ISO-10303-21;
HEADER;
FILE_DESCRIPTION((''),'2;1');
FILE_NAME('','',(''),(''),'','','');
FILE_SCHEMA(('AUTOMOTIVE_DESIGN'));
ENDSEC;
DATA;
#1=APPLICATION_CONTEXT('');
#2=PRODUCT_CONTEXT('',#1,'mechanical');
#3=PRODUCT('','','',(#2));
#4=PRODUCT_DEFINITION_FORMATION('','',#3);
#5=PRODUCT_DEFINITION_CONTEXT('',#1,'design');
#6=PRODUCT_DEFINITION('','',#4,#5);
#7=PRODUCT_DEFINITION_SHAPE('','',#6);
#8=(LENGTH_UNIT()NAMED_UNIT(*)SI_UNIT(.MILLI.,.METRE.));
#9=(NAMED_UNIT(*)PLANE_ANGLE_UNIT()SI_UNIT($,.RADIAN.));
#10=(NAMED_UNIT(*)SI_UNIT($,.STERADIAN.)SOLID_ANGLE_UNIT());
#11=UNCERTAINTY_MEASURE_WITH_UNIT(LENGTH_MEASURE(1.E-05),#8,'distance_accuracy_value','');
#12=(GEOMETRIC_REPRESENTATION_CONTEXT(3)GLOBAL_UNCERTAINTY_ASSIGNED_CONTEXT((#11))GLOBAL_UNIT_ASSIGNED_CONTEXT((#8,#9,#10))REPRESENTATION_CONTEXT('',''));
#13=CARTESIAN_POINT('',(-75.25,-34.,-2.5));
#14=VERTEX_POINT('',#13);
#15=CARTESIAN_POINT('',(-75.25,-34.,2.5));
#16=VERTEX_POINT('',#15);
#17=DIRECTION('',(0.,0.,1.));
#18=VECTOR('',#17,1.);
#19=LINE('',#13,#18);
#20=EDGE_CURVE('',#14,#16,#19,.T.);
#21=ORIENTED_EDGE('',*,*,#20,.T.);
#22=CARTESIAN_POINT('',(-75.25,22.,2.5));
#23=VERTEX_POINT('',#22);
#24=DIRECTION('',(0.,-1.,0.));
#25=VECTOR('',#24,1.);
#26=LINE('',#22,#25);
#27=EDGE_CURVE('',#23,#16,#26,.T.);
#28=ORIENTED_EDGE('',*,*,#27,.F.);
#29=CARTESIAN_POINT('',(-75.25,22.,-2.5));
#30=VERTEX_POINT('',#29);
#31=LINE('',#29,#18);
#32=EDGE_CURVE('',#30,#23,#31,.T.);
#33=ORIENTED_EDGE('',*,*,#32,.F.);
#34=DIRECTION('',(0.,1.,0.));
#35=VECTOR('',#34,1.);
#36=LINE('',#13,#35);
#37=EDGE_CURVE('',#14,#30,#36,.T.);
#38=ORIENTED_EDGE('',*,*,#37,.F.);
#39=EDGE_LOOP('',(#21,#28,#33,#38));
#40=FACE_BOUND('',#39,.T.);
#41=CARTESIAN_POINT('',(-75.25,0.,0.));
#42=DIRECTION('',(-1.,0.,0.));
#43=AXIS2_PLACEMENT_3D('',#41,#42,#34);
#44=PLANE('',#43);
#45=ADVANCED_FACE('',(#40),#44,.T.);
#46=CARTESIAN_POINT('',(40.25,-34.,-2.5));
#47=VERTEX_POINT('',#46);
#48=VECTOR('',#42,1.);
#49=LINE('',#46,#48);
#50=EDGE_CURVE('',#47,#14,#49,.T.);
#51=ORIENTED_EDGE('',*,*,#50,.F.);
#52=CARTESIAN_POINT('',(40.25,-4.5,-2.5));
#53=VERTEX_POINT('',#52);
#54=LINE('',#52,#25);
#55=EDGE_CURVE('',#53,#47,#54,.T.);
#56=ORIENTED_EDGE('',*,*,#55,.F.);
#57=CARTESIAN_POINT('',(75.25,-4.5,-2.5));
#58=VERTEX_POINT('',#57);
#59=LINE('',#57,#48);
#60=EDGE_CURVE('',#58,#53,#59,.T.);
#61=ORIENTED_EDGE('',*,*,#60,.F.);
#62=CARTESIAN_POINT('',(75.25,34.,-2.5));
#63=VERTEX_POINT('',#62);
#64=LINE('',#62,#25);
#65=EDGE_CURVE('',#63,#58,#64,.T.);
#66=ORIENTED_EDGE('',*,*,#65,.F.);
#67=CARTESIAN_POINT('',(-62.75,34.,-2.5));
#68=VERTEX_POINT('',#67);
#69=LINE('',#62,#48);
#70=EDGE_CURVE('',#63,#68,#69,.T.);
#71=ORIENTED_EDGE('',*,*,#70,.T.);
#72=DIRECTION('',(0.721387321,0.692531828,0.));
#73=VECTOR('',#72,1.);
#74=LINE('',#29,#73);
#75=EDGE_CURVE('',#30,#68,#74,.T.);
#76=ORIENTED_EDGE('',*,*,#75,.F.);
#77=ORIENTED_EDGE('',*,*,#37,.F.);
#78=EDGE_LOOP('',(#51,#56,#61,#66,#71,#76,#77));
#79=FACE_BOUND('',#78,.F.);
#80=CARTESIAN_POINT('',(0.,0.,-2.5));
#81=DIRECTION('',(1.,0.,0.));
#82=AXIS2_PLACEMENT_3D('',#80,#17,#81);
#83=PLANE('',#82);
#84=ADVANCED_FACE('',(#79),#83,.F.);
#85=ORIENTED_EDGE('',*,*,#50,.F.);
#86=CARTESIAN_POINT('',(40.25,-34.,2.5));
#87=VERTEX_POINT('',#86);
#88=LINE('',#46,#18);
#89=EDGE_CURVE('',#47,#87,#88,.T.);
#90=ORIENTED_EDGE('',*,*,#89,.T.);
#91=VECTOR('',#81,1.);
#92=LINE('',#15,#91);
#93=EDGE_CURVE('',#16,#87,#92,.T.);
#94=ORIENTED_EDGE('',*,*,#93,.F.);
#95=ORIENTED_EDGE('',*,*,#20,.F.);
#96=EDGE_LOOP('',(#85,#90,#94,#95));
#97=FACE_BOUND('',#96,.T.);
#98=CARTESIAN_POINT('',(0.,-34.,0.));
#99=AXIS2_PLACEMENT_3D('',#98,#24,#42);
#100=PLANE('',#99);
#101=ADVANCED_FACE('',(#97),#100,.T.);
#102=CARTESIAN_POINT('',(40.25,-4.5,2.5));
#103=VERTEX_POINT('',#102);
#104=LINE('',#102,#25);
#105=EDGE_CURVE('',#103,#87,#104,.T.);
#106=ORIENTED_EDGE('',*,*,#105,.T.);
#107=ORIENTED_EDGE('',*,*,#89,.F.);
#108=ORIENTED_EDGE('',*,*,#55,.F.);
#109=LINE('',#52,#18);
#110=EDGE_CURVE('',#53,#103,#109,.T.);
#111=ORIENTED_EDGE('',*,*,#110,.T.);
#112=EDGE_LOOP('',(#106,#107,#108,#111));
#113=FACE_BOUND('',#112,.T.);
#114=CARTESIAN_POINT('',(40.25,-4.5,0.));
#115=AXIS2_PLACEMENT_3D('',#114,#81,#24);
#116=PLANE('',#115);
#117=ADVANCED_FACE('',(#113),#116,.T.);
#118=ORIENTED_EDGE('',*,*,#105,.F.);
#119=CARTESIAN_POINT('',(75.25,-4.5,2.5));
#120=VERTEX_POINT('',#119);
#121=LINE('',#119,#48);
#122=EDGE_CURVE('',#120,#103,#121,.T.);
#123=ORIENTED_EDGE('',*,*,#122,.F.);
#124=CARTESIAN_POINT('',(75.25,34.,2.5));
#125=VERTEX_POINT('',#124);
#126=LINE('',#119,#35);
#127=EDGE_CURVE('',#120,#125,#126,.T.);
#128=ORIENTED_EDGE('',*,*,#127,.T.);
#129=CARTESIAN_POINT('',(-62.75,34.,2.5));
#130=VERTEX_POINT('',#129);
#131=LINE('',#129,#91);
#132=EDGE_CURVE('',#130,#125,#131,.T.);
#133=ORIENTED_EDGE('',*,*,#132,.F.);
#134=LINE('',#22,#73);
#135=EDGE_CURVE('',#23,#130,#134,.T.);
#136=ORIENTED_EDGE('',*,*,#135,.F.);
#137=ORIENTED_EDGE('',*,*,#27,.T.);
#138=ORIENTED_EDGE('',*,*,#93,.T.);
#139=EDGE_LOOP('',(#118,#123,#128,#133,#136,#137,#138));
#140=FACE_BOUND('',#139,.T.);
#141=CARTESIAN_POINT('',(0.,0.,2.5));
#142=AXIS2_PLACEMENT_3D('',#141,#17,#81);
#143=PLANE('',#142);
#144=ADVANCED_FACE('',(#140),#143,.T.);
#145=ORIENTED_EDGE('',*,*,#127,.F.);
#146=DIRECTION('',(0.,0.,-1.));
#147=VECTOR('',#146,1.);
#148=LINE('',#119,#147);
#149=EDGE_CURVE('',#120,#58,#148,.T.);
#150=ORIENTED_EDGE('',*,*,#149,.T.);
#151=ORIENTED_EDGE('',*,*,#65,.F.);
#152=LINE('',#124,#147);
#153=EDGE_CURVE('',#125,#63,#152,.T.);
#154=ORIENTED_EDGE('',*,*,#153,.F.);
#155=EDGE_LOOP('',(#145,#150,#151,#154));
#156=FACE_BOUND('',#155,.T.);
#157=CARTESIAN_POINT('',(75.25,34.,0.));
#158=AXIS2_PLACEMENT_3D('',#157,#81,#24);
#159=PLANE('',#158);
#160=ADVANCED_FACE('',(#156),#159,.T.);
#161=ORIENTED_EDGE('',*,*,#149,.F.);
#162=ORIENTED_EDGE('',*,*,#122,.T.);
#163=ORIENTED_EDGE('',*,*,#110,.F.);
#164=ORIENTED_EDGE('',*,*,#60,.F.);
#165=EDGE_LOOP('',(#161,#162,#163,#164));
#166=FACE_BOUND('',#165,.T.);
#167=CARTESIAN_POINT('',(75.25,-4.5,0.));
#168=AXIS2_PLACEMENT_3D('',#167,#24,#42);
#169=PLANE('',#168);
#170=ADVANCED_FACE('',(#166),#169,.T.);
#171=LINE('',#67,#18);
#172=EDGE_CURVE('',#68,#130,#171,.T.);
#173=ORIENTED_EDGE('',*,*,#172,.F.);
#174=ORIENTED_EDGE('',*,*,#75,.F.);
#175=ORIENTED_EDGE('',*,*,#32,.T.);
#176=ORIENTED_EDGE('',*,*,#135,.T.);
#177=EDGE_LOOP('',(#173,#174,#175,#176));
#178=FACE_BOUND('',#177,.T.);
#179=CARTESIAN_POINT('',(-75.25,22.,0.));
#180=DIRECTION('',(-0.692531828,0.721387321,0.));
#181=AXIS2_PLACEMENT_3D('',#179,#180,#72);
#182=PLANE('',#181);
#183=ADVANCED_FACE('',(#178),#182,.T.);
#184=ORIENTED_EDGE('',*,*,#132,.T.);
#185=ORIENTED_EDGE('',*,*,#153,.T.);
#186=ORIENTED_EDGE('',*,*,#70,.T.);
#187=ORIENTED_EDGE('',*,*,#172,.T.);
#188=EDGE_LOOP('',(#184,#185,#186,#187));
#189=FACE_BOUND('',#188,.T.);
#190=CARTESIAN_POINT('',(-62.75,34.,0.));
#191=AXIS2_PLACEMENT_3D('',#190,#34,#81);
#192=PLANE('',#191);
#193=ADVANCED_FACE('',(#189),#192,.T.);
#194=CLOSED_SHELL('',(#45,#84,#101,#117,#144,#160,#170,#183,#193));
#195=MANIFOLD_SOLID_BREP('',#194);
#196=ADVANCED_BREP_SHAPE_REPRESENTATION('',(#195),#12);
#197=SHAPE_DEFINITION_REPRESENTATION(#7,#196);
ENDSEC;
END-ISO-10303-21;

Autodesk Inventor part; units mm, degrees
ref_plane "YZ Plane" through (0, 0, 0) normal (1, 0, 0) x (0, 1, 0)
ref_plane "XZ Plane" through (0, 0, 0) normal (0, 1, 0) x (-1, 0, 0)
ref_plane "XY Plane" through (0, 0, 0) normal (0, 0, 1) x (1, 0, 0)
sketch "Náčrt1" plane through (0, 0, 0) normal (0, 0, 1) x (1, 0, 0)
  line L0 (-62.75, 34) -> (75.25, 34)
  line L1 (75.25, 34) -> (75.25, -4.5)
  line L2 (40.25, -34) -> (-75.25, -34)
  line L3 (-75.25, -34) -> (-75.25, 22)
  line L4 (-75.25, 22) -> (-62.75, 34)
  line L5 (-112.35, 0) -> (147.35, 0) projected
  line L6 (0, 47.6) -> (0, -47.6) projected
  line L7 (75.25, -4.5) -> (40.25, -4.5)
  line L8 (75.25, -4.5) -> (110.25, -4.5) construction
  line L9 (40.25, -4.5) -> (40.25, -34)
  point P0 (0, 0)
  dimension "d0" = 115.5
  dimension "d4" = 12.5
  dimension "d5" = 12
  dimension "d6" = 35
  dimension "d7" = 180
  dimension "d8" = -29.5
  dimension "d9" = 68
extrude "Vysunutí1" add sketch "Náčrt1" along normal mid plane 5
properties part number "PCB_Dummy" material "PBT plast"
